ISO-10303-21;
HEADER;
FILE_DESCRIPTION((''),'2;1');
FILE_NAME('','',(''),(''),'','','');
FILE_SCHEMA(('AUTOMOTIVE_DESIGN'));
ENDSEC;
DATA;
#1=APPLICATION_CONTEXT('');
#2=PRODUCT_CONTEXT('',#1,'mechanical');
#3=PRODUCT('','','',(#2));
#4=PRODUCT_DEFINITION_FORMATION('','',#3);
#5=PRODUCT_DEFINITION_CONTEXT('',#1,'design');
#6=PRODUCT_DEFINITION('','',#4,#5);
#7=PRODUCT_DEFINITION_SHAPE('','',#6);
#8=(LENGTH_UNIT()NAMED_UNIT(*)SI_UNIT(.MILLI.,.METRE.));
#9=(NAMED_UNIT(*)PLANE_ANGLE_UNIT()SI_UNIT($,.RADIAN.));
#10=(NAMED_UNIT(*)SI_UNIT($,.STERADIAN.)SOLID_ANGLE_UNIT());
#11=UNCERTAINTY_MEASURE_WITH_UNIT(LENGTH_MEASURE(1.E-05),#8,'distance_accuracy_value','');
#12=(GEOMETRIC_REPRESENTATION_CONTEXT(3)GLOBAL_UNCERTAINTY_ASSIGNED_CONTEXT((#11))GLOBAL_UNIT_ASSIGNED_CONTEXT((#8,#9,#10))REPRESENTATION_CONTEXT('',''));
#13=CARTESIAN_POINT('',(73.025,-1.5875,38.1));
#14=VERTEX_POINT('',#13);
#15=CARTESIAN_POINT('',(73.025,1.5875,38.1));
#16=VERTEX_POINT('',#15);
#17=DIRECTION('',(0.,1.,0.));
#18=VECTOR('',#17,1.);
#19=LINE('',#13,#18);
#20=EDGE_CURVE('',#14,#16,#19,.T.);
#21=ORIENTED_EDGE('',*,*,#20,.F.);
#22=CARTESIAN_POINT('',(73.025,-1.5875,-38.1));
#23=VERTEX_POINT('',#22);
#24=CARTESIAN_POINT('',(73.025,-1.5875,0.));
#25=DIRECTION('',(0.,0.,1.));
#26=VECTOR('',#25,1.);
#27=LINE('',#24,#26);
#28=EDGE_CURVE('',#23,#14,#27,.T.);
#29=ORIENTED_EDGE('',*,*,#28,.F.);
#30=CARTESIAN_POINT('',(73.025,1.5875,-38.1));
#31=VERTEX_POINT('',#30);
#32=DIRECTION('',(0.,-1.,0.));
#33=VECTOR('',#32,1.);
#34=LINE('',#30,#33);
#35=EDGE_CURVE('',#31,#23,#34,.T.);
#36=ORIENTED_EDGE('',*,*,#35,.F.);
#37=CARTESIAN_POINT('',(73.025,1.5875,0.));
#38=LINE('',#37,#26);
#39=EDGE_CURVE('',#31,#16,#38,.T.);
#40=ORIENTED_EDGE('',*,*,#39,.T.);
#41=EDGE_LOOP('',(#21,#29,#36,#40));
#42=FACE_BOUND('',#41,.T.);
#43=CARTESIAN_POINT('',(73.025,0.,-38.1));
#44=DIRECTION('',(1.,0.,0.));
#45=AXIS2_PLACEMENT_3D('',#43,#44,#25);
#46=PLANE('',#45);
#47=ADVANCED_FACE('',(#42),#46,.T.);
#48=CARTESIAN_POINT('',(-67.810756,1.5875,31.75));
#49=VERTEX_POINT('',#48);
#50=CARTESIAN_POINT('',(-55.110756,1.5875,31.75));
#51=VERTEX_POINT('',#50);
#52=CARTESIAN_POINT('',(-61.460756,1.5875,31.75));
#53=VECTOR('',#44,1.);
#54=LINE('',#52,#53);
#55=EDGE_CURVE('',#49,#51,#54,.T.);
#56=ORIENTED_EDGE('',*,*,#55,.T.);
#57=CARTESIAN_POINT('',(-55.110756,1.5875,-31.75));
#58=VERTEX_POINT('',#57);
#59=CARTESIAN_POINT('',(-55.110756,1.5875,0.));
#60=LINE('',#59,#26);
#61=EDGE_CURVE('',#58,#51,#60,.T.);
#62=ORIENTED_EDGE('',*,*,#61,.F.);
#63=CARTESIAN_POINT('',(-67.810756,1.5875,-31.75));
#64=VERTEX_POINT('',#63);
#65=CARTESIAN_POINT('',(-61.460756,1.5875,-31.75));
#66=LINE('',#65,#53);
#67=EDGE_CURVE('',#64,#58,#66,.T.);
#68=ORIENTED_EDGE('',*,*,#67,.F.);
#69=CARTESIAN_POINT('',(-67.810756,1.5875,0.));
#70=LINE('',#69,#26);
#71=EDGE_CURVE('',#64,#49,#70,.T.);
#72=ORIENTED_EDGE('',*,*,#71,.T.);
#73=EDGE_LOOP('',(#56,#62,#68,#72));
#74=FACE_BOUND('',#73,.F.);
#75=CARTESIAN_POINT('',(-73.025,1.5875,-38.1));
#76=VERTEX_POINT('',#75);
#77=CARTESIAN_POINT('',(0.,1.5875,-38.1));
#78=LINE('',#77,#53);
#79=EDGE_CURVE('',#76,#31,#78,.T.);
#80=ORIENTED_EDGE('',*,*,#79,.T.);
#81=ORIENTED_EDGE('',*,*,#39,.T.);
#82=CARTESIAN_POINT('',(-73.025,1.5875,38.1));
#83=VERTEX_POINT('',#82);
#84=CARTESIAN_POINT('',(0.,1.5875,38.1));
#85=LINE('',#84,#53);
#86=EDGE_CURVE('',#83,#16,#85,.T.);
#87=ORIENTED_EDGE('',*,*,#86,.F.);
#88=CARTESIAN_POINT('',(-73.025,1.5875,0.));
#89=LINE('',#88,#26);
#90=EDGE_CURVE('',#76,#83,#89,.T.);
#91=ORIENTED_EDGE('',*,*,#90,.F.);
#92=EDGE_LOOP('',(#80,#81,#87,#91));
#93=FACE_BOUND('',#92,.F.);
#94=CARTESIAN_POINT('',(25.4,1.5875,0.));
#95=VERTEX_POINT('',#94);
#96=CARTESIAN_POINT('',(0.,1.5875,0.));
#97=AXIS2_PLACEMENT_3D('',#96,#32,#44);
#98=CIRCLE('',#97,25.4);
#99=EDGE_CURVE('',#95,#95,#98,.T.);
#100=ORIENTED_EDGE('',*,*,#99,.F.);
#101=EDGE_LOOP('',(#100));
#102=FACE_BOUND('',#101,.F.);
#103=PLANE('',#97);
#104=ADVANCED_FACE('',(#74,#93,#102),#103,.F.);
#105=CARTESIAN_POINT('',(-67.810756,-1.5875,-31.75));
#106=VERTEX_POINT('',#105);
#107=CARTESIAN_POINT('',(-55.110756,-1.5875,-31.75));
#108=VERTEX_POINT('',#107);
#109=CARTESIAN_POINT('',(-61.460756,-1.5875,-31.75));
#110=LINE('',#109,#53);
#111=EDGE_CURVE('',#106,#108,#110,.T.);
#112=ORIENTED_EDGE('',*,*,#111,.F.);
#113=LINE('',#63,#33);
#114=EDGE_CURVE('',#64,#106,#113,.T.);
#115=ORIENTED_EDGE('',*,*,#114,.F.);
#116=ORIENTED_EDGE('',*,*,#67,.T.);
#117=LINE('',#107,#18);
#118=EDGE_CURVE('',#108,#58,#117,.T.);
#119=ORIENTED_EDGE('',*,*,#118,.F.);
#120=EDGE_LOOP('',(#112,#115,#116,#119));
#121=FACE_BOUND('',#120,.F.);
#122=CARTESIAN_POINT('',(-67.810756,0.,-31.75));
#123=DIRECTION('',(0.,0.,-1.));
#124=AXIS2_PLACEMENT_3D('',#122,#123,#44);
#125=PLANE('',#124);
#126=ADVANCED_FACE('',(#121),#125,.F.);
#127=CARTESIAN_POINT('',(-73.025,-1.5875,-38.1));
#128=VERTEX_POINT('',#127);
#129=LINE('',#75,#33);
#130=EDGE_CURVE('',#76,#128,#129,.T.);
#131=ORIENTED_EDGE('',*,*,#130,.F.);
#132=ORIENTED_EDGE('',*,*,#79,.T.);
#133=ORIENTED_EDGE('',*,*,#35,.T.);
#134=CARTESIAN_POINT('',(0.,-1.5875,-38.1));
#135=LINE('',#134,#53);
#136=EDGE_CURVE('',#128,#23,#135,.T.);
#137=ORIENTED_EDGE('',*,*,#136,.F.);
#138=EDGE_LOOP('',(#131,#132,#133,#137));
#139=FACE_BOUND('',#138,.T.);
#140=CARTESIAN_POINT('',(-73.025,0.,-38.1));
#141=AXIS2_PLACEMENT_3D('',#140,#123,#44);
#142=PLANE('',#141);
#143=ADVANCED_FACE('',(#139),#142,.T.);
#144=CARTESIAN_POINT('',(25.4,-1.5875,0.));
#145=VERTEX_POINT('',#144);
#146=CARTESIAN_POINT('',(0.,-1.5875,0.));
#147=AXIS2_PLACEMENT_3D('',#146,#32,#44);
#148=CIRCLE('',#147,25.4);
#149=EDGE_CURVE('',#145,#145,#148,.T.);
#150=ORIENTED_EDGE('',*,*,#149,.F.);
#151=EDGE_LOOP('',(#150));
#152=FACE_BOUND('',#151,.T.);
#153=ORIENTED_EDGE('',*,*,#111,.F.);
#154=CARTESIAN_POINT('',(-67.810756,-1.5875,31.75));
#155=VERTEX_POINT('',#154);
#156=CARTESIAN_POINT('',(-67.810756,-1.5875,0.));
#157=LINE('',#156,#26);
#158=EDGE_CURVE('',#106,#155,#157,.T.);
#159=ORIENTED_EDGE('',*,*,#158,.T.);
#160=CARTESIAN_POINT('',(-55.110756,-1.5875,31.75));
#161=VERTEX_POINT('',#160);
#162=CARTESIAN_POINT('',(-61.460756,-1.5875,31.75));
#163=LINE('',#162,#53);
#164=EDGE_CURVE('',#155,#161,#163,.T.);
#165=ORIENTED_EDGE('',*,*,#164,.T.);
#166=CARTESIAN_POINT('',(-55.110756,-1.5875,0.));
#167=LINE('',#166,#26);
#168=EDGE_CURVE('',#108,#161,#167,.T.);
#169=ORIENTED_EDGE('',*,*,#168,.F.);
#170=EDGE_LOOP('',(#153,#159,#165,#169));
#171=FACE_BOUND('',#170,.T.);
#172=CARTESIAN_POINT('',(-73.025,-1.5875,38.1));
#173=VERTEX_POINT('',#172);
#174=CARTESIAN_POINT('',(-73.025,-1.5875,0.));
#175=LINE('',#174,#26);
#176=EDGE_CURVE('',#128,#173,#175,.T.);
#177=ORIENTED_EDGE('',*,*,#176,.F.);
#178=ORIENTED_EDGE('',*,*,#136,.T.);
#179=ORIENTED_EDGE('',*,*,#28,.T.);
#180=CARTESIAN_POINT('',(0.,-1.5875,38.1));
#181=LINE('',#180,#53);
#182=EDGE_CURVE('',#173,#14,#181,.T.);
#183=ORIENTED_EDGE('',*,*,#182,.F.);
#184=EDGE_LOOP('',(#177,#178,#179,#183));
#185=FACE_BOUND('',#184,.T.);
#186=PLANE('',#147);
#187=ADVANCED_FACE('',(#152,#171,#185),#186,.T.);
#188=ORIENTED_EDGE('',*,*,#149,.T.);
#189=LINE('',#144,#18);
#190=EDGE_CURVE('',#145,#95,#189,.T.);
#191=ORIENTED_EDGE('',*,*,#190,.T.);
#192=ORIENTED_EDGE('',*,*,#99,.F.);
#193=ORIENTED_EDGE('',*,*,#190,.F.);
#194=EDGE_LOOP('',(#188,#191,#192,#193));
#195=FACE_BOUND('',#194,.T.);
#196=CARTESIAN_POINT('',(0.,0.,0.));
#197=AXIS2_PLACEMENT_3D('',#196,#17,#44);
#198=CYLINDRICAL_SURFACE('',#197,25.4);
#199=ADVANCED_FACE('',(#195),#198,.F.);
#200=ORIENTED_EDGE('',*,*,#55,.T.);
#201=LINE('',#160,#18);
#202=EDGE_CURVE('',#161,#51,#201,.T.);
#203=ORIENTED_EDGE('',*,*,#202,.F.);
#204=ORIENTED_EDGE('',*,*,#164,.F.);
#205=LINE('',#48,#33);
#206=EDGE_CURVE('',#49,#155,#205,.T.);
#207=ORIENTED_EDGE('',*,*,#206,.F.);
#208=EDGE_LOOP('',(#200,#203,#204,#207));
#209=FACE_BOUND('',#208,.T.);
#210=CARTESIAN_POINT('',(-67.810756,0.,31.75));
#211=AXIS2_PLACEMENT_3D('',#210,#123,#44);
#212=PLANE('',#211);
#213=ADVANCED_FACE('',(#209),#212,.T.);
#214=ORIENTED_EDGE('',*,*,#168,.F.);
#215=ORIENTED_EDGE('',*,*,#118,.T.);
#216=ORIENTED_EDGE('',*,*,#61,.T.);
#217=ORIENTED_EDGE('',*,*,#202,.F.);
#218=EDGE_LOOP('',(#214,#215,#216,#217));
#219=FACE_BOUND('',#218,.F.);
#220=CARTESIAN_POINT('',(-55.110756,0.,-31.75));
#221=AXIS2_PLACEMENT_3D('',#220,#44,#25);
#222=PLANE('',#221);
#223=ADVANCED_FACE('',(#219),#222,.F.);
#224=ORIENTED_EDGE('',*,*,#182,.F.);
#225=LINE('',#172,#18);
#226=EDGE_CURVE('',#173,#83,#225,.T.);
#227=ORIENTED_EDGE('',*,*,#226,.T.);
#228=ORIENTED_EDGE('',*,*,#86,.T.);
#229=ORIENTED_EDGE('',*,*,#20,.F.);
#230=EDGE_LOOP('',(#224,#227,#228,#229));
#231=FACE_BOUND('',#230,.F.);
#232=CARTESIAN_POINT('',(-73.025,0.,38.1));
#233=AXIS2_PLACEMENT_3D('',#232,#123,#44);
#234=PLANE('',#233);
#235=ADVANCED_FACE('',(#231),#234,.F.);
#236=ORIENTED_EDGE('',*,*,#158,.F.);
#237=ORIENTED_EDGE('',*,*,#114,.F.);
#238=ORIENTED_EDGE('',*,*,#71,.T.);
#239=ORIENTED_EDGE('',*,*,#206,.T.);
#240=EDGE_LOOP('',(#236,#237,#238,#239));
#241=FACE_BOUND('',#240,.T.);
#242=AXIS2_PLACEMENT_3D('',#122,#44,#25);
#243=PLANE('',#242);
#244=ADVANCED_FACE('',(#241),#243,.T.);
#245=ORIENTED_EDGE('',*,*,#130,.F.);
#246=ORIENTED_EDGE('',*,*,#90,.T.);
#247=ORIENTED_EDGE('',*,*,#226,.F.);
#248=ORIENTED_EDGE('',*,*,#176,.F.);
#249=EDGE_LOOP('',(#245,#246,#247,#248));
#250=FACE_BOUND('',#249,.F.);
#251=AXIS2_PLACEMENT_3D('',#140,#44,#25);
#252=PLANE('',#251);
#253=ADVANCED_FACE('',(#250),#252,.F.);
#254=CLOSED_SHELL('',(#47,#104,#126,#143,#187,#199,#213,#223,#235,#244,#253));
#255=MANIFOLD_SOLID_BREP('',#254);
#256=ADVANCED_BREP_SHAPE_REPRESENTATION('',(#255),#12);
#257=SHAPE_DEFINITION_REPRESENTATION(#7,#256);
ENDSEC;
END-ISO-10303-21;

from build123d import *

# Parameters (mm, degrees)
F0_W     = 146.05
F0_H     = 76.2
F0_W_2   = 12.7
F0_H_2   = 63.5
F0_R     = 25.4
F1_DEPTH = 1.5875


with BuildPart() as f1:
    # F0 (on Front) → F1 (new body, symmetric)
    with BuildSketch(Plane.XZ):
        Rectangle(F0_W, F0_H)
        with Locations((-61.460756, 0)):
            Rectangle(F0_W_2, F0_H_2, mode=Mode.SUBTRACT)
        Circle(F0_R, mode=Mode.SUBTRACT)
    extrude(amount=F1_DEPTH, both=True)


solid = f1.part
